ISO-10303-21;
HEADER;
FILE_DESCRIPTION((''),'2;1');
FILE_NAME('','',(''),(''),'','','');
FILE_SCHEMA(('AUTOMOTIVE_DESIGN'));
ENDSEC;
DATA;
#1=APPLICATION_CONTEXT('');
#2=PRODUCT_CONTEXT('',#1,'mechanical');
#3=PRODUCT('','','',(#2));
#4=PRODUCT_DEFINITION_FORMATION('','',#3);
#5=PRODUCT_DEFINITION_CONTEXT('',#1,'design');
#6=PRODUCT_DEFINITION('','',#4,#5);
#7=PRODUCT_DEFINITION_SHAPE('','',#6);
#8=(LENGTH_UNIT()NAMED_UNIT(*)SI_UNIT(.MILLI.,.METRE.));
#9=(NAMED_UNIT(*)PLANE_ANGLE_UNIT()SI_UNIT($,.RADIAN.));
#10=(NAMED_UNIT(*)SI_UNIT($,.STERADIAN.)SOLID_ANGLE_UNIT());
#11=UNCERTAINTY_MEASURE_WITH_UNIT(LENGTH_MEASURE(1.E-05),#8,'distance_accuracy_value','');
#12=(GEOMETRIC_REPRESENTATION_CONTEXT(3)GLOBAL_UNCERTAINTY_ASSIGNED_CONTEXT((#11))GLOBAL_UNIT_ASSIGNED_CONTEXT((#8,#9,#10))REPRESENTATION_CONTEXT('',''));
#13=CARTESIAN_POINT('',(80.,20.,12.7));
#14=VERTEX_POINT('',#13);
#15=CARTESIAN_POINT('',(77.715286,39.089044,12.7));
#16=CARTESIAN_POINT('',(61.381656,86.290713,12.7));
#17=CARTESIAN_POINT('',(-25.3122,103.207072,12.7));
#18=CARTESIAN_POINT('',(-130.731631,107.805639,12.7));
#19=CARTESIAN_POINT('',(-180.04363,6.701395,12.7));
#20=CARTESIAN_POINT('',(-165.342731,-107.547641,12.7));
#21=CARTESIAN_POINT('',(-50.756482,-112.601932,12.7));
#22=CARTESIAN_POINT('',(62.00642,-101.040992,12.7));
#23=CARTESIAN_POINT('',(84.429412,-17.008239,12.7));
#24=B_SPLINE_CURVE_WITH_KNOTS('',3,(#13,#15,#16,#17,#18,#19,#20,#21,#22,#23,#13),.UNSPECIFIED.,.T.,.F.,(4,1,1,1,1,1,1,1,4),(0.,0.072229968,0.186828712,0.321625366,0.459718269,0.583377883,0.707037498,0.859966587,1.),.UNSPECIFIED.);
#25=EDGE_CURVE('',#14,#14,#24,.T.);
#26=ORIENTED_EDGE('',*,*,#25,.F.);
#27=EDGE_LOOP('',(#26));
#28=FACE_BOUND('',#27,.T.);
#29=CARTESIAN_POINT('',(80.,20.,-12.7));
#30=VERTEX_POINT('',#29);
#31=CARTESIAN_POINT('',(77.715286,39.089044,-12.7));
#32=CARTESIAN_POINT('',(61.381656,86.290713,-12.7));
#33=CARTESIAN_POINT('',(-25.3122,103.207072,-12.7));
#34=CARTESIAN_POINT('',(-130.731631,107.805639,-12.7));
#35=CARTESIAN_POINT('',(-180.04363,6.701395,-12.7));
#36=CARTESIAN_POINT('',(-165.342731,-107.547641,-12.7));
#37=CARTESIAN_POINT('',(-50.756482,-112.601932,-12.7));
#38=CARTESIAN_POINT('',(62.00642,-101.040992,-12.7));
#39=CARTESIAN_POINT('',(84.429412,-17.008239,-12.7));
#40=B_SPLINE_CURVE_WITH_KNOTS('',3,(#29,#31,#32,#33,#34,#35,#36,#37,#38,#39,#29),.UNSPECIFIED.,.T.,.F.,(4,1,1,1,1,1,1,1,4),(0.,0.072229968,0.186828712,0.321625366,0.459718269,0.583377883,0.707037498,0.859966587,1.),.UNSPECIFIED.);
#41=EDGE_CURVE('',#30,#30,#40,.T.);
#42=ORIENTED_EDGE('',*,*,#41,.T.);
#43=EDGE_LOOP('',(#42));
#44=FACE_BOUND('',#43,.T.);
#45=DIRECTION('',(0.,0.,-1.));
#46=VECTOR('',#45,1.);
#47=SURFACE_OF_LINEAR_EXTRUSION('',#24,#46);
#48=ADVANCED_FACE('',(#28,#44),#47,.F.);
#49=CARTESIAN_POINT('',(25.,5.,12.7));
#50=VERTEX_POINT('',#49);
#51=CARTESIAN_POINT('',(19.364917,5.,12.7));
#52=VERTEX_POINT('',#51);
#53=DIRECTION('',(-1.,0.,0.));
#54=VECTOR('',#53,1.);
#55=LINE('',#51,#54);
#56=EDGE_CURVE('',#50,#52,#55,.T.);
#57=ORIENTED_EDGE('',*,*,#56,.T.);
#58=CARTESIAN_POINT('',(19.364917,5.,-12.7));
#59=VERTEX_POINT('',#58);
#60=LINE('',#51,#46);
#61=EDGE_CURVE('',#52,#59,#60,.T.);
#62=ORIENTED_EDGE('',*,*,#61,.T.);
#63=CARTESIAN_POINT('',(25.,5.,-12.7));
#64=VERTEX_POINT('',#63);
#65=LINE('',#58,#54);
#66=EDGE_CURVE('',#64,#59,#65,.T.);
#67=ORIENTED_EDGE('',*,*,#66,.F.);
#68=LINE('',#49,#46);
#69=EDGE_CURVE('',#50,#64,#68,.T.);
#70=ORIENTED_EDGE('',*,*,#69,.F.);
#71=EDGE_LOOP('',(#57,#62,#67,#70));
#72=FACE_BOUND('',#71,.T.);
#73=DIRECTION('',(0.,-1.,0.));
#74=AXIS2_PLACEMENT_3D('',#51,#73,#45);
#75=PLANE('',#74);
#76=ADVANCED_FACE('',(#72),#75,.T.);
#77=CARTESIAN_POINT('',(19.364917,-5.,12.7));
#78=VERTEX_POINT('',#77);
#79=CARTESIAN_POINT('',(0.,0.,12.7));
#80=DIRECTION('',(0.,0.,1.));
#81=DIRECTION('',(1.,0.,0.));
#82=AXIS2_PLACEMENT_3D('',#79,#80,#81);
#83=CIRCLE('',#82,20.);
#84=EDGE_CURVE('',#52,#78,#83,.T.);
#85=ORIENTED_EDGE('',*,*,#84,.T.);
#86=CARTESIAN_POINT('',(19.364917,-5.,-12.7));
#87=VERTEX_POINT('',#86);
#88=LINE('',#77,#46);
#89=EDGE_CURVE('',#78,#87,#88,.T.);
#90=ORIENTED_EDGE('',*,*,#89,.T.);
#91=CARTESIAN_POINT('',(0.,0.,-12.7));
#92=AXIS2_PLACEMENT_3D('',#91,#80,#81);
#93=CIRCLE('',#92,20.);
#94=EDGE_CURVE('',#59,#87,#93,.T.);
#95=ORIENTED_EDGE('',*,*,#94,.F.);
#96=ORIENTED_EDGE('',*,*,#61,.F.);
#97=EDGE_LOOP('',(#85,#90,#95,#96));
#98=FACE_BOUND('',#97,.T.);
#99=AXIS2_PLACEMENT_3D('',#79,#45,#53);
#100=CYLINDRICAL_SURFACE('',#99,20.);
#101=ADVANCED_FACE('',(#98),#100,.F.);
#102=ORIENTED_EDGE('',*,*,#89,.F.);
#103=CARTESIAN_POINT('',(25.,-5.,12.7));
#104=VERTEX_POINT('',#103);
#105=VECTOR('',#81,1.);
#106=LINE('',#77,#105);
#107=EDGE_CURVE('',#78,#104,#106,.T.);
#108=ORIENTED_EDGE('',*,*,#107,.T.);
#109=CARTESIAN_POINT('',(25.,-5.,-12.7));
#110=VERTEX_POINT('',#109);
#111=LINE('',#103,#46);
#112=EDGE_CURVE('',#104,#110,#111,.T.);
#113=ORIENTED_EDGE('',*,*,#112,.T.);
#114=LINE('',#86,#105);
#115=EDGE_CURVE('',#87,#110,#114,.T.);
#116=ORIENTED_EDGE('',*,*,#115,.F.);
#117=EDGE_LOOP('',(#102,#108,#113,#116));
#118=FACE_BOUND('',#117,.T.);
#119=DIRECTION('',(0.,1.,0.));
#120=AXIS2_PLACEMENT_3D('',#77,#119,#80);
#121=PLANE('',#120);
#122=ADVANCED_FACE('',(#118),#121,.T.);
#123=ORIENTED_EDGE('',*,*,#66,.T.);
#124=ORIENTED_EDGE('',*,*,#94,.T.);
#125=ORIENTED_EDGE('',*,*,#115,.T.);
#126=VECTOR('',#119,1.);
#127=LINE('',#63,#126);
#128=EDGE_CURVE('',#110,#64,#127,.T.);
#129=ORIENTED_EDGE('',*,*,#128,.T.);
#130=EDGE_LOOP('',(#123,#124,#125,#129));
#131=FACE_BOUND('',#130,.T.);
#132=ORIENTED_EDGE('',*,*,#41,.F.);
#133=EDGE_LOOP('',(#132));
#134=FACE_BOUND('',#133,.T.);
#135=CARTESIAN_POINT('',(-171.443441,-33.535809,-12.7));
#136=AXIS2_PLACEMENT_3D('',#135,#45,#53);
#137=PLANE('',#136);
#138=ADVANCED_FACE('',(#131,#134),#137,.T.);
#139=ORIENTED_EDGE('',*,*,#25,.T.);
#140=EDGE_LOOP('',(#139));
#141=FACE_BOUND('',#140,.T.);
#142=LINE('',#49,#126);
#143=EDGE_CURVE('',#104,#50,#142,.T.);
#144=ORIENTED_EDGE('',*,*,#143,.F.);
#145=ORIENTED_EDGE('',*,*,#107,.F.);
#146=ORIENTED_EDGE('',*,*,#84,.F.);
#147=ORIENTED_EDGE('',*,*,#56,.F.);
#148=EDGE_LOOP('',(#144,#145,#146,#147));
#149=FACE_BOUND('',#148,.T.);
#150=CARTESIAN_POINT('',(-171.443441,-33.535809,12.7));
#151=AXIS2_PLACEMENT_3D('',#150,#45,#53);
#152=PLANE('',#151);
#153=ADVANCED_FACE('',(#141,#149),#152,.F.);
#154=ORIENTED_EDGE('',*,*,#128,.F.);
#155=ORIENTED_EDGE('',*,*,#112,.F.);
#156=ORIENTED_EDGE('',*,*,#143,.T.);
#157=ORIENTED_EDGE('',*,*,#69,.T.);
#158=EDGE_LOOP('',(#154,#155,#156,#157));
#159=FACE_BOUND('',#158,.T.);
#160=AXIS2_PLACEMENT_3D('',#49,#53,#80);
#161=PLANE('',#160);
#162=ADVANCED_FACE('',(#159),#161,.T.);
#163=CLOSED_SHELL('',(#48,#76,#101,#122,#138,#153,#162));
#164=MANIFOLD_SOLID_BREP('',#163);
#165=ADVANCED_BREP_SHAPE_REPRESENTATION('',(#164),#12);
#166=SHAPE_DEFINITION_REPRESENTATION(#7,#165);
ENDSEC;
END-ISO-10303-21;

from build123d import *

# Parameters (mm, degrees)
EXTRUDE1_DEPTH = 12.7


with BuildPart() as part:
    # Sketch1 → Extrude1 (new, symmetric)
    with BuildSketch(Plane.XY):
        with BuildLine():
            add(Edge.make_bspline(
                [(80, 20), (77.715286296, 39.089043578), (61.381655956, 86.290713409), (-25.312200485, 103.207072369), (-130.731631299, 107.805639115), (-180.043630285, 6.70139491), (-165.34273118, -107.547641326), (-50.756482262, -112.601932318), (62.006419847, -101.040992339), (84.42941158, -17.008238941), (80, 20)],
                knots=[0, 0, 0, 0, 0.072229968, 0.186828712, 0.321625366, 0.459718269, 0.583377883, 0.707037498, 0.859966587, 1, 1, 1, 1], degree=3))
        make_face()
        with BuildLine():
            Line((19.364916731, 5), (25, 5))
            Line((25, 5), (25, -5))
            Line((25, -5), (19.364916731, -5))
            ThreePointArc((19.364916731, -5), (-20, 0), (19.364916731, 5))
        make_face(mode=Mode.SUBTRACT)
    extrude(amount=EXTRUDE1_DEPTH, both=True)


solid = part.part
